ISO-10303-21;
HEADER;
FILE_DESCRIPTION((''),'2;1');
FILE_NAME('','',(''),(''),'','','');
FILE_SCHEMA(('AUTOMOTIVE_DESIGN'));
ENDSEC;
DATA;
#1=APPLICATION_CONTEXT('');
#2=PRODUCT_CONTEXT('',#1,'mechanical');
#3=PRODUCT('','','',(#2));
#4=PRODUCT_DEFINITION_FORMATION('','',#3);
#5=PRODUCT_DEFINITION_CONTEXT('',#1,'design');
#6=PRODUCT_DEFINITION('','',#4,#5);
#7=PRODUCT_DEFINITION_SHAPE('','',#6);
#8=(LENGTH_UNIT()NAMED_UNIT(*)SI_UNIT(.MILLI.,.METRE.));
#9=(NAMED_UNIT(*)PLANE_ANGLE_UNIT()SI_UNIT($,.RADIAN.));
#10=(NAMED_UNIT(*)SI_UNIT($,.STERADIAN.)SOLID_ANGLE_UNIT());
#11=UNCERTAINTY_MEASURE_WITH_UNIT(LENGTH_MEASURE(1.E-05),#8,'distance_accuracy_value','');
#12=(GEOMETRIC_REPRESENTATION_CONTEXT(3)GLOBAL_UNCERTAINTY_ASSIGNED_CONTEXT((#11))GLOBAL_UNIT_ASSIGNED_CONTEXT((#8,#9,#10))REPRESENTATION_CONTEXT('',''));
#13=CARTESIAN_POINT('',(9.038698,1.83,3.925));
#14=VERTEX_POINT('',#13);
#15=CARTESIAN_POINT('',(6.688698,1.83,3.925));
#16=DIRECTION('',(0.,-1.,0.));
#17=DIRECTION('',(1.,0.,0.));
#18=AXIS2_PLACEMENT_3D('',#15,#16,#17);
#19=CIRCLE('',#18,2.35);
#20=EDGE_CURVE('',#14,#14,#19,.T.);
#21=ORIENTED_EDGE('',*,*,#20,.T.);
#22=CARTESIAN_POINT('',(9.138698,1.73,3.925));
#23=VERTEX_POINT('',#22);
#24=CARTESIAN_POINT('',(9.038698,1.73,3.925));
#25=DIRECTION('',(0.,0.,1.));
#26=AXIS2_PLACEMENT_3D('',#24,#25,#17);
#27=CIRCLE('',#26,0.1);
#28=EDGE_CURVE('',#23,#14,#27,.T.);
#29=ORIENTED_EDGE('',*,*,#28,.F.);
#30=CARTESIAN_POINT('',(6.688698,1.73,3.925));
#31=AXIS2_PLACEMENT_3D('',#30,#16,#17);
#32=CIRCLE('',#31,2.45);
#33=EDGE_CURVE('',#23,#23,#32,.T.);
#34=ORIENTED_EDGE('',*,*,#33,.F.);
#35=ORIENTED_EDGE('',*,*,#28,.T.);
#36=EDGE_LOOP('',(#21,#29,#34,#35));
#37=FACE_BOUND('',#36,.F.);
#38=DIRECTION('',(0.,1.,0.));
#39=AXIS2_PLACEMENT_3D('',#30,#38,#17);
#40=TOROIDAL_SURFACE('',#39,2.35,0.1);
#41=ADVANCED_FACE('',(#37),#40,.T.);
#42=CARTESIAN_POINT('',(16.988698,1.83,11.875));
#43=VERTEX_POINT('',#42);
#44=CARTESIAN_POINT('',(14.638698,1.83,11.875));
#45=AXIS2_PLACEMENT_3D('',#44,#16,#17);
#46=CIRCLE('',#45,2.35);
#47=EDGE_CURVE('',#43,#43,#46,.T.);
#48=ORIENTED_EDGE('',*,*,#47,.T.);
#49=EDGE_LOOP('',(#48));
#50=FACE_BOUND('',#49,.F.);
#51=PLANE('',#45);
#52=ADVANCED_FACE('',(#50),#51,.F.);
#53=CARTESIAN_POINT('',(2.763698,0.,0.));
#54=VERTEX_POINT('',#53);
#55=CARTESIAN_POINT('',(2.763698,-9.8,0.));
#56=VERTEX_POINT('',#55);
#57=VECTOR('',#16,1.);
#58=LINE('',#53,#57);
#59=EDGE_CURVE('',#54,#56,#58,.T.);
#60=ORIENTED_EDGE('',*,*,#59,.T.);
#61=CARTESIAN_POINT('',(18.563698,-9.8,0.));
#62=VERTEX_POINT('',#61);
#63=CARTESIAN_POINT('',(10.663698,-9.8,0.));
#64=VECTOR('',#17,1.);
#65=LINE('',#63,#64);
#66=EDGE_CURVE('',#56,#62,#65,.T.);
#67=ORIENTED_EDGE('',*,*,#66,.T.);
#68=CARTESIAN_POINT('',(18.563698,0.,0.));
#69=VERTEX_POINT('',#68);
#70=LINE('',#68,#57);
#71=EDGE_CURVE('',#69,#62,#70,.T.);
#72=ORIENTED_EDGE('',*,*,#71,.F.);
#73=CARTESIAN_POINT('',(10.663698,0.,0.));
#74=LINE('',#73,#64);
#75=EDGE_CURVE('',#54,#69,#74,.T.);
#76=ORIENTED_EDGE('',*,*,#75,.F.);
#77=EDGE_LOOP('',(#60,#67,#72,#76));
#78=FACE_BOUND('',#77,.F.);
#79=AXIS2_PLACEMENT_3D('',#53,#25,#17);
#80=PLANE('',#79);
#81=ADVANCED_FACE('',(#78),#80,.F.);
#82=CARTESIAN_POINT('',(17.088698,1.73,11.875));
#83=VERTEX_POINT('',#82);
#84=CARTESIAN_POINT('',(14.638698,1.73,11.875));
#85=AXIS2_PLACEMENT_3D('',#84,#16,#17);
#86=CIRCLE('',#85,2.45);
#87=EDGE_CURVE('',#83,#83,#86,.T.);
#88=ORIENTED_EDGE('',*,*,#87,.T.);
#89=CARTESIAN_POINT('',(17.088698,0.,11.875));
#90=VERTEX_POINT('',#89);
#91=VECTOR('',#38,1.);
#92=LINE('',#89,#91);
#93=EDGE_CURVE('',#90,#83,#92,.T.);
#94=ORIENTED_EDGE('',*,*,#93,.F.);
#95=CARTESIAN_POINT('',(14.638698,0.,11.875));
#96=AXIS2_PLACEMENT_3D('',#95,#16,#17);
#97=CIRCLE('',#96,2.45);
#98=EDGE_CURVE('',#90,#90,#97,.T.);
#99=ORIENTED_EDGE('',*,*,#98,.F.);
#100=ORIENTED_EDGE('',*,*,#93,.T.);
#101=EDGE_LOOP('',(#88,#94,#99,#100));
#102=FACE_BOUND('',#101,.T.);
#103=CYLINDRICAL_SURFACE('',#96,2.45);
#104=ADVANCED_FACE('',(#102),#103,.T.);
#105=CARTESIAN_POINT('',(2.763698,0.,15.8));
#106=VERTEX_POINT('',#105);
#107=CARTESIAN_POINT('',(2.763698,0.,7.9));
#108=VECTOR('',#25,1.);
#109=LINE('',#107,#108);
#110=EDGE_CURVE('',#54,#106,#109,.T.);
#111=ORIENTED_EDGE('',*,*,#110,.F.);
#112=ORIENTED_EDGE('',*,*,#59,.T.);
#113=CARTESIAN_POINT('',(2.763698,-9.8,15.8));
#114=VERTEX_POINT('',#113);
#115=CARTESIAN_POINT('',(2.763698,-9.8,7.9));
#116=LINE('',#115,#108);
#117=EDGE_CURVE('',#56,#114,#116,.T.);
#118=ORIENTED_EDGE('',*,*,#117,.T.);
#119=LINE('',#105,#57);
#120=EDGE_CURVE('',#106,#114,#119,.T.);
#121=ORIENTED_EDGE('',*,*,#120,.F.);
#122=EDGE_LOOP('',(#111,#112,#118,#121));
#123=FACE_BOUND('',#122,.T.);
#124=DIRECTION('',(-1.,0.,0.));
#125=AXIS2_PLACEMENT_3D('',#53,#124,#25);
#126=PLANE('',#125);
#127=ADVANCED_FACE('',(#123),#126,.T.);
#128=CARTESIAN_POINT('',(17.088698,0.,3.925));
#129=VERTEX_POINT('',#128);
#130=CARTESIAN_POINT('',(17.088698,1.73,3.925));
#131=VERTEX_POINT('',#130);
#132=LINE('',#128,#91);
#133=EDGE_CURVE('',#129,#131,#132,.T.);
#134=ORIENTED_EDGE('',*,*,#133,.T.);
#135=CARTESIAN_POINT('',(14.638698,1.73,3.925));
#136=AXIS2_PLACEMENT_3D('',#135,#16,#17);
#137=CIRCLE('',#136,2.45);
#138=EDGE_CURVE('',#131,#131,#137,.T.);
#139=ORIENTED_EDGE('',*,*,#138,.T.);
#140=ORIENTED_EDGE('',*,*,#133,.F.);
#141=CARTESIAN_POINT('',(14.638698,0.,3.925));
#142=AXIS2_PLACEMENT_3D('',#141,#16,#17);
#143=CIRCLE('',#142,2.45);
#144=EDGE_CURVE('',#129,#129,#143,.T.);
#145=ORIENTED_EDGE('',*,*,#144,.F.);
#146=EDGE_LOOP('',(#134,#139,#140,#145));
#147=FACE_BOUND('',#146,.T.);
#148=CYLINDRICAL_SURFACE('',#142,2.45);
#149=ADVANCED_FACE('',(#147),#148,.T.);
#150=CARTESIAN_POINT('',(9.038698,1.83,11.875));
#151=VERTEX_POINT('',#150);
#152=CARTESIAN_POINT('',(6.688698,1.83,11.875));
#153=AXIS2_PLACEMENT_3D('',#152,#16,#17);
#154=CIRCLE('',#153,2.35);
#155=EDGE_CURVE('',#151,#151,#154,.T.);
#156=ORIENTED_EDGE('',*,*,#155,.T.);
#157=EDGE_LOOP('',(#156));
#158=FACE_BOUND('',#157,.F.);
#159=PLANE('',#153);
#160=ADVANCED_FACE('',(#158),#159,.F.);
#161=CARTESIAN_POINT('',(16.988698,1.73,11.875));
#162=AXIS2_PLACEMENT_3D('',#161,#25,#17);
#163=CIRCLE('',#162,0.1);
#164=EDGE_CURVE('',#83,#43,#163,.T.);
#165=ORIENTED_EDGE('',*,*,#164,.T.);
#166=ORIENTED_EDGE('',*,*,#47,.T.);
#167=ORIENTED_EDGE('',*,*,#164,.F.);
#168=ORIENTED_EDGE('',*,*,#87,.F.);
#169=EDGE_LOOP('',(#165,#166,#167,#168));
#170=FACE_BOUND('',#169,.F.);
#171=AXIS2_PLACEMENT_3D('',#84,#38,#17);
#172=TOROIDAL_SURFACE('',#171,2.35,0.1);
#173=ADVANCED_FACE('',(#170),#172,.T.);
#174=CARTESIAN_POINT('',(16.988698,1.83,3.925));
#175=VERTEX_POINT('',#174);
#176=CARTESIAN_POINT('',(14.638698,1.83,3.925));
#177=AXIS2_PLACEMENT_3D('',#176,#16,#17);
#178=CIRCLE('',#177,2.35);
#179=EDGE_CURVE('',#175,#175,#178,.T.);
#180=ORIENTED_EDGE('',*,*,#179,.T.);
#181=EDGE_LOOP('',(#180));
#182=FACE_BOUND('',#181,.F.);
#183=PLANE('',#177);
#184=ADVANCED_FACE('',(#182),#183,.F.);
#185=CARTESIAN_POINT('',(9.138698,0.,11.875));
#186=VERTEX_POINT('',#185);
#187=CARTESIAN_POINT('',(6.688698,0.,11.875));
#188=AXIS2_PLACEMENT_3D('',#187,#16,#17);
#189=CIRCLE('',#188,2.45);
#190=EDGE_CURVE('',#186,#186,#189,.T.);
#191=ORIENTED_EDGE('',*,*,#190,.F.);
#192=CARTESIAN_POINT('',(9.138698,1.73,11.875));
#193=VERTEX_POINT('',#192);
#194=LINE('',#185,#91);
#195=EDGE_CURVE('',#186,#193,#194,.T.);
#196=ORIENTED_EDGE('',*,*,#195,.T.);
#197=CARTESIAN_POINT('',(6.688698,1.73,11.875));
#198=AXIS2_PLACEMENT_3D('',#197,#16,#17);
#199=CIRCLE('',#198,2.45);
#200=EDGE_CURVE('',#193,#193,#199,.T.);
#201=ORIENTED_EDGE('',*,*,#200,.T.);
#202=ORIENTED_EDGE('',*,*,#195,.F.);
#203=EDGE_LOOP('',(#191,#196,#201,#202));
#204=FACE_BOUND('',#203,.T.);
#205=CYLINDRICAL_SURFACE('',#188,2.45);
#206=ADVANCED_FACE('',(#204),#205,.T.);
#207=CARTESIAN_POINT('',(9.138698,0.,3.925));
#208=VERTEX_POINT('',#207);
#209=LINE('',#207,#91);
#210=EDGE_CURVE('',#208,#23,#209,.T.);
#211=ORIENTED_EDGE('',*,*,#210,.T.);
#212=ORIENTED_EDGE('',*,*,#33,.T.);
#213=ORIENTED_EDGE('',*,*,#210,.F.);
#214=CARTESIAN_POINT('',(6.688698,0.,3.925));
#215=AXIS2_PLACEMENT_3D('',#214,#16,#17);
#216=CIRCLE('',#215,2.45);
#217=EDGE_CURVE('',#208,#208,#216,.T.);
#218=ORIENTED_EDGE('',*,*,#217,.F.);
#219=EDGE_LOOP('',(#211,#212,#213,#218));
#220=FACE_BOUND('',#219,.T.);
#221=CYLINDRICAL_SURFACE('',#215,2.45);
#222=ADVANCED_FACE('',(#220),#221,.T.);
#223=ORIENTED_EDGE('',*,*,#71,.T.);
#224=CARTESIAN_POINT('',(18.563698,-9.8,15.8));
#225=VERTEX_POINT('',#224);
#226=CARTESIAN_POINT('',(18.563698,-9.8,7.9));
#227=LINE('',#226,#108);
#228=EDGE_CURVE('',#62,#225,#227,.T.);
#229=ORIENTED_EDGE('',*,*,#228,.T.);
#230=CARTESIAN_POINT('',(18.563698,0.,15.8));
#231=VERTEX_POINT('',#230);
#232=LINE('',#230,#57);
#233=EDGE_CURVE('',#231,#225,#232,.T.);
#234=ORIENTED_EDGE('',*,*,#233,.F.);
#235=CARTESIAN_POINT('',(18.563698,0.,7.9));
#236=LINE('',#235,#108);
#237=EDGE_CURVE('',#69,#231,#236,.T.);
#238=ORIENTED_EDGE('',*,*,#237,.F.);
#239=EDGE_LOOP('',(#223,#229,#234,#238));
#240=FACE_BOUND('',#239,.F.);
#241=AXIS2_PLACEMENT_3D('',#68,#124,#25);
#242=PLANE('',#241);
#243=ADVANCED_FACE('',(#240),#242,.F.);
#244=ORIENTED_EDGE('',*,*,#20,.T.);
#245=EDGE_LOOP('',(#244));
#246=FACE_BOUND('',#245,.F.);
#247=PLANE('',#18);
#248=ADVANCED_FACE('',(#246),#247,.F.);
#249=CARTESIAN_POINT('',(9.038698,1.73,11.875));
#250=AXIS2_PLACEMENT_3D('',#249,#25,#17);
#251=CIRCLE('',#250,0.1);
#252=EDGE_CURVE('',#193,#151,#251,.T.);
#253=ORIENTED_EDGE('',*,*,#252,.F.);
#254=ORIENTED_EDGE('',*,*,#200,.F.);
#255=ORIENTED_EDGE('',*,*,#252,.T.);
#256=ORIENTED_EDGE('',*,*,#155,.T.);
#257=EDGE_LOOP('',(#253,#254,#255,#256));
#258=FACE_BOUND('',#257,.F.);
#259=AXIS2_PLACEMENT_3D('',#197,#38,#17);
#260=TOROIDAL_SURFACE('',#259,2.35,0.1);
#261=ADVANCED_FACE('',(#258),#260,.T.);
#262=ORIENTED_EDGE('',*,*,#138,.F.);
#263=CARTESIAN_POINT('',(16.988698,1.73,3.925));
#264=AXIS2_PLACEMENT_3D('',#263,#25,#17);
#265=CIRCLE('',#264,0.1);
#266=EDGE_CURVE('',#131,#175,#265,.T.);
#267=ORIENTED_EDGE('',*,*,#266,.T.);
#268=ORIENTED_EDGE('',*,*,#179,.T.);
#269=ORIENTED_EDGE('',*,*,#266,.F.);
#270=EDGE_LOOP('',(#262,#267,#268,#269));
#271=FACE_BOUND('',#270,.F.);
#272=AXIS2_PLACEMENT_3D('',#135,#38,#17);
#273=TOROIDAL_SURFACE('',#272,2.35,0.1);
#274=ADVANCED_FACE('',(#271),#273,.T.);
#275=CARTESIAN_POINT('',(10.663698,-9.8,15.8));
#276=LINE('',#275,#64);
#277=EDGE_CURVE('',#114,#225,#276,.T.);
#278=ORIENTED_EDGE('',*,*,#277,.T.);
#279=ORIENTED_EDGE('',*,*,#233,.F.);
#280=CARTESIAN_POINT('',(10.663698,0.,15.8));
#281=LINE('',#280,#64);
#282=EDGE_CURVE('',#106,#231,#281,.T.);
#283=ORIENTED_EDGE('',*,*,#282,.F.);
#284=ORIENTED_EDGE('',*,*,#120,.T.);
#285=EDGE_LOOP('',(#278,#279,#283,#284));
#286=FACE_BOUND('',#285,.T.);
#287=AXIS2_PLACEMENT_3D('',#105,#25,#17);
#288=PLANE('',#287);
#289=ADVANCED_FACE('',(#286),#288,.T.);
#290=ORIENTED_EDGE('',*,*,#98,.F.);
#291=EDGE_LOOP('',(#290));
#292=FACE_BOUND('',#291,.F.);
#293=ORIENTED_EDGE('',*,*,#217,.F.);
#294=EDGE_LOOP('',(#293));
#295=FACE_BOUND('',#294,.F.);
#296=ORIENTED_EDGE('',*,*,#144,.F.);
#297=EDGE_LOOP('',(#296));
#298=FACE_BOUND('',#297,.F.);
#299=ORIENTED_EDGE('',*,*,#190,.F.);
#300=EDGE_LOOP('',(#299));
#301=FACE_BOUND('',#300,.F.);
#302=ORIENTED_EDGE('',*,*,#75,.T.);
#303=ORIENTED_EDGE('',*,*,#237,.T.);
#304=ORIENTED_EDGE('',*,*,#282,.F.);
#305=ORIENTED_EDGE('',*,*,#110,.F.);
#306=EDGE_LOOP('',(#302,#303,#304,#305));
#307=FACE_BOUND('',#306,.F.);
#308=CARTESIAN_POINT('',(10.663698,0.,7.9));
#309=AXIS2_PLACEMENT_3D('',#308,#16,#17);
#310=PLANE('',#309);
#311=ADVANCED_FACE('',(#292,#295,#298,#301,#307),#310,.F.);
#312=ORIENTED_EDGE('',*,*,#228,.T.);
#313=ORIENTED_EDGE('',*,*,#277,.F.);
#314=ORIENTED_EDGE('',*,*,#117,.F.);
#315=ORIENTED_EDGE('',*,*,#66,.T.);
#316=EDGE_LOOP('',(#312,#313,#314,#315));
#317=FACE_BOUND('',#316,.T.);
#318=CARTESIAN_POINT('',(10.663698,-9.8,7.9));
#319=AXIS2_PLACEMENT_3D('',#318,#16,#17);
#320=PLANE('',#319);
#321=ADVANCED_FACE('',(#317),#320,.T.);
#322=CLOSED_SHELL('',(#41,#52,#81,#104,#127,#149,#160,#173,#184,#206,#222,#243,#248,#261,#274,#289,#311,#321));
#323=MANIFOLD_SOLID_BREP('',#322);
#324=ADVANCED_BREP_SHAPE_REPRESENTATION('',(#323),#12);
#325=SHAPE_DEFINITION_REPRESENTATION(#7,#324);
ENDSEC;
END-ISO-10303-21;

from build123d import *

# Parameters (mm, degrees)
F0_W     = 15.8
F0_H     = 15.8
F1_DEPTH = 9.8
F2_R     = 2.45
F3_DEPTH = 1.83
F4_R     = 0.1


with BuildPart() as f1:
    # F0 (on Front) → F1 (new body)
    with BuildSketch(Plane.XZ):
        with Locations((10.663698, 7.9)):
            Rectangle(F0_W, F0_H)
    extrude(amount=F1_DEPTH)

    # F2 (on Front) → F3 (join)
    with BuildSketch(Plane.XZ):
        with Locations((6.688698, 11.875)):
            Circle(F2_R)
        with Locations((14.638698, 11.875)):
            Circle(F2_R)
        with Locations((6.688698, 3.925)):
            Circle(F2_R)
        with Locations((14.638698, 3.925)):
            Circle(F2_R)
    extrude(amount=-F3_DEPTH)

    # F4
    f4_edges = [f1.edges().sort_by_distance(p)[0] for p in [
        (12.188698, 1.83, 11.875),
        (4.238698, 1.83, 11.875),
        (4.238698, 1.83, 3.925),
        (12.188698, 1.83, 3.925),
    ]]
    fillet(f4_edges, radius=F4_R)


solid = f1.part
